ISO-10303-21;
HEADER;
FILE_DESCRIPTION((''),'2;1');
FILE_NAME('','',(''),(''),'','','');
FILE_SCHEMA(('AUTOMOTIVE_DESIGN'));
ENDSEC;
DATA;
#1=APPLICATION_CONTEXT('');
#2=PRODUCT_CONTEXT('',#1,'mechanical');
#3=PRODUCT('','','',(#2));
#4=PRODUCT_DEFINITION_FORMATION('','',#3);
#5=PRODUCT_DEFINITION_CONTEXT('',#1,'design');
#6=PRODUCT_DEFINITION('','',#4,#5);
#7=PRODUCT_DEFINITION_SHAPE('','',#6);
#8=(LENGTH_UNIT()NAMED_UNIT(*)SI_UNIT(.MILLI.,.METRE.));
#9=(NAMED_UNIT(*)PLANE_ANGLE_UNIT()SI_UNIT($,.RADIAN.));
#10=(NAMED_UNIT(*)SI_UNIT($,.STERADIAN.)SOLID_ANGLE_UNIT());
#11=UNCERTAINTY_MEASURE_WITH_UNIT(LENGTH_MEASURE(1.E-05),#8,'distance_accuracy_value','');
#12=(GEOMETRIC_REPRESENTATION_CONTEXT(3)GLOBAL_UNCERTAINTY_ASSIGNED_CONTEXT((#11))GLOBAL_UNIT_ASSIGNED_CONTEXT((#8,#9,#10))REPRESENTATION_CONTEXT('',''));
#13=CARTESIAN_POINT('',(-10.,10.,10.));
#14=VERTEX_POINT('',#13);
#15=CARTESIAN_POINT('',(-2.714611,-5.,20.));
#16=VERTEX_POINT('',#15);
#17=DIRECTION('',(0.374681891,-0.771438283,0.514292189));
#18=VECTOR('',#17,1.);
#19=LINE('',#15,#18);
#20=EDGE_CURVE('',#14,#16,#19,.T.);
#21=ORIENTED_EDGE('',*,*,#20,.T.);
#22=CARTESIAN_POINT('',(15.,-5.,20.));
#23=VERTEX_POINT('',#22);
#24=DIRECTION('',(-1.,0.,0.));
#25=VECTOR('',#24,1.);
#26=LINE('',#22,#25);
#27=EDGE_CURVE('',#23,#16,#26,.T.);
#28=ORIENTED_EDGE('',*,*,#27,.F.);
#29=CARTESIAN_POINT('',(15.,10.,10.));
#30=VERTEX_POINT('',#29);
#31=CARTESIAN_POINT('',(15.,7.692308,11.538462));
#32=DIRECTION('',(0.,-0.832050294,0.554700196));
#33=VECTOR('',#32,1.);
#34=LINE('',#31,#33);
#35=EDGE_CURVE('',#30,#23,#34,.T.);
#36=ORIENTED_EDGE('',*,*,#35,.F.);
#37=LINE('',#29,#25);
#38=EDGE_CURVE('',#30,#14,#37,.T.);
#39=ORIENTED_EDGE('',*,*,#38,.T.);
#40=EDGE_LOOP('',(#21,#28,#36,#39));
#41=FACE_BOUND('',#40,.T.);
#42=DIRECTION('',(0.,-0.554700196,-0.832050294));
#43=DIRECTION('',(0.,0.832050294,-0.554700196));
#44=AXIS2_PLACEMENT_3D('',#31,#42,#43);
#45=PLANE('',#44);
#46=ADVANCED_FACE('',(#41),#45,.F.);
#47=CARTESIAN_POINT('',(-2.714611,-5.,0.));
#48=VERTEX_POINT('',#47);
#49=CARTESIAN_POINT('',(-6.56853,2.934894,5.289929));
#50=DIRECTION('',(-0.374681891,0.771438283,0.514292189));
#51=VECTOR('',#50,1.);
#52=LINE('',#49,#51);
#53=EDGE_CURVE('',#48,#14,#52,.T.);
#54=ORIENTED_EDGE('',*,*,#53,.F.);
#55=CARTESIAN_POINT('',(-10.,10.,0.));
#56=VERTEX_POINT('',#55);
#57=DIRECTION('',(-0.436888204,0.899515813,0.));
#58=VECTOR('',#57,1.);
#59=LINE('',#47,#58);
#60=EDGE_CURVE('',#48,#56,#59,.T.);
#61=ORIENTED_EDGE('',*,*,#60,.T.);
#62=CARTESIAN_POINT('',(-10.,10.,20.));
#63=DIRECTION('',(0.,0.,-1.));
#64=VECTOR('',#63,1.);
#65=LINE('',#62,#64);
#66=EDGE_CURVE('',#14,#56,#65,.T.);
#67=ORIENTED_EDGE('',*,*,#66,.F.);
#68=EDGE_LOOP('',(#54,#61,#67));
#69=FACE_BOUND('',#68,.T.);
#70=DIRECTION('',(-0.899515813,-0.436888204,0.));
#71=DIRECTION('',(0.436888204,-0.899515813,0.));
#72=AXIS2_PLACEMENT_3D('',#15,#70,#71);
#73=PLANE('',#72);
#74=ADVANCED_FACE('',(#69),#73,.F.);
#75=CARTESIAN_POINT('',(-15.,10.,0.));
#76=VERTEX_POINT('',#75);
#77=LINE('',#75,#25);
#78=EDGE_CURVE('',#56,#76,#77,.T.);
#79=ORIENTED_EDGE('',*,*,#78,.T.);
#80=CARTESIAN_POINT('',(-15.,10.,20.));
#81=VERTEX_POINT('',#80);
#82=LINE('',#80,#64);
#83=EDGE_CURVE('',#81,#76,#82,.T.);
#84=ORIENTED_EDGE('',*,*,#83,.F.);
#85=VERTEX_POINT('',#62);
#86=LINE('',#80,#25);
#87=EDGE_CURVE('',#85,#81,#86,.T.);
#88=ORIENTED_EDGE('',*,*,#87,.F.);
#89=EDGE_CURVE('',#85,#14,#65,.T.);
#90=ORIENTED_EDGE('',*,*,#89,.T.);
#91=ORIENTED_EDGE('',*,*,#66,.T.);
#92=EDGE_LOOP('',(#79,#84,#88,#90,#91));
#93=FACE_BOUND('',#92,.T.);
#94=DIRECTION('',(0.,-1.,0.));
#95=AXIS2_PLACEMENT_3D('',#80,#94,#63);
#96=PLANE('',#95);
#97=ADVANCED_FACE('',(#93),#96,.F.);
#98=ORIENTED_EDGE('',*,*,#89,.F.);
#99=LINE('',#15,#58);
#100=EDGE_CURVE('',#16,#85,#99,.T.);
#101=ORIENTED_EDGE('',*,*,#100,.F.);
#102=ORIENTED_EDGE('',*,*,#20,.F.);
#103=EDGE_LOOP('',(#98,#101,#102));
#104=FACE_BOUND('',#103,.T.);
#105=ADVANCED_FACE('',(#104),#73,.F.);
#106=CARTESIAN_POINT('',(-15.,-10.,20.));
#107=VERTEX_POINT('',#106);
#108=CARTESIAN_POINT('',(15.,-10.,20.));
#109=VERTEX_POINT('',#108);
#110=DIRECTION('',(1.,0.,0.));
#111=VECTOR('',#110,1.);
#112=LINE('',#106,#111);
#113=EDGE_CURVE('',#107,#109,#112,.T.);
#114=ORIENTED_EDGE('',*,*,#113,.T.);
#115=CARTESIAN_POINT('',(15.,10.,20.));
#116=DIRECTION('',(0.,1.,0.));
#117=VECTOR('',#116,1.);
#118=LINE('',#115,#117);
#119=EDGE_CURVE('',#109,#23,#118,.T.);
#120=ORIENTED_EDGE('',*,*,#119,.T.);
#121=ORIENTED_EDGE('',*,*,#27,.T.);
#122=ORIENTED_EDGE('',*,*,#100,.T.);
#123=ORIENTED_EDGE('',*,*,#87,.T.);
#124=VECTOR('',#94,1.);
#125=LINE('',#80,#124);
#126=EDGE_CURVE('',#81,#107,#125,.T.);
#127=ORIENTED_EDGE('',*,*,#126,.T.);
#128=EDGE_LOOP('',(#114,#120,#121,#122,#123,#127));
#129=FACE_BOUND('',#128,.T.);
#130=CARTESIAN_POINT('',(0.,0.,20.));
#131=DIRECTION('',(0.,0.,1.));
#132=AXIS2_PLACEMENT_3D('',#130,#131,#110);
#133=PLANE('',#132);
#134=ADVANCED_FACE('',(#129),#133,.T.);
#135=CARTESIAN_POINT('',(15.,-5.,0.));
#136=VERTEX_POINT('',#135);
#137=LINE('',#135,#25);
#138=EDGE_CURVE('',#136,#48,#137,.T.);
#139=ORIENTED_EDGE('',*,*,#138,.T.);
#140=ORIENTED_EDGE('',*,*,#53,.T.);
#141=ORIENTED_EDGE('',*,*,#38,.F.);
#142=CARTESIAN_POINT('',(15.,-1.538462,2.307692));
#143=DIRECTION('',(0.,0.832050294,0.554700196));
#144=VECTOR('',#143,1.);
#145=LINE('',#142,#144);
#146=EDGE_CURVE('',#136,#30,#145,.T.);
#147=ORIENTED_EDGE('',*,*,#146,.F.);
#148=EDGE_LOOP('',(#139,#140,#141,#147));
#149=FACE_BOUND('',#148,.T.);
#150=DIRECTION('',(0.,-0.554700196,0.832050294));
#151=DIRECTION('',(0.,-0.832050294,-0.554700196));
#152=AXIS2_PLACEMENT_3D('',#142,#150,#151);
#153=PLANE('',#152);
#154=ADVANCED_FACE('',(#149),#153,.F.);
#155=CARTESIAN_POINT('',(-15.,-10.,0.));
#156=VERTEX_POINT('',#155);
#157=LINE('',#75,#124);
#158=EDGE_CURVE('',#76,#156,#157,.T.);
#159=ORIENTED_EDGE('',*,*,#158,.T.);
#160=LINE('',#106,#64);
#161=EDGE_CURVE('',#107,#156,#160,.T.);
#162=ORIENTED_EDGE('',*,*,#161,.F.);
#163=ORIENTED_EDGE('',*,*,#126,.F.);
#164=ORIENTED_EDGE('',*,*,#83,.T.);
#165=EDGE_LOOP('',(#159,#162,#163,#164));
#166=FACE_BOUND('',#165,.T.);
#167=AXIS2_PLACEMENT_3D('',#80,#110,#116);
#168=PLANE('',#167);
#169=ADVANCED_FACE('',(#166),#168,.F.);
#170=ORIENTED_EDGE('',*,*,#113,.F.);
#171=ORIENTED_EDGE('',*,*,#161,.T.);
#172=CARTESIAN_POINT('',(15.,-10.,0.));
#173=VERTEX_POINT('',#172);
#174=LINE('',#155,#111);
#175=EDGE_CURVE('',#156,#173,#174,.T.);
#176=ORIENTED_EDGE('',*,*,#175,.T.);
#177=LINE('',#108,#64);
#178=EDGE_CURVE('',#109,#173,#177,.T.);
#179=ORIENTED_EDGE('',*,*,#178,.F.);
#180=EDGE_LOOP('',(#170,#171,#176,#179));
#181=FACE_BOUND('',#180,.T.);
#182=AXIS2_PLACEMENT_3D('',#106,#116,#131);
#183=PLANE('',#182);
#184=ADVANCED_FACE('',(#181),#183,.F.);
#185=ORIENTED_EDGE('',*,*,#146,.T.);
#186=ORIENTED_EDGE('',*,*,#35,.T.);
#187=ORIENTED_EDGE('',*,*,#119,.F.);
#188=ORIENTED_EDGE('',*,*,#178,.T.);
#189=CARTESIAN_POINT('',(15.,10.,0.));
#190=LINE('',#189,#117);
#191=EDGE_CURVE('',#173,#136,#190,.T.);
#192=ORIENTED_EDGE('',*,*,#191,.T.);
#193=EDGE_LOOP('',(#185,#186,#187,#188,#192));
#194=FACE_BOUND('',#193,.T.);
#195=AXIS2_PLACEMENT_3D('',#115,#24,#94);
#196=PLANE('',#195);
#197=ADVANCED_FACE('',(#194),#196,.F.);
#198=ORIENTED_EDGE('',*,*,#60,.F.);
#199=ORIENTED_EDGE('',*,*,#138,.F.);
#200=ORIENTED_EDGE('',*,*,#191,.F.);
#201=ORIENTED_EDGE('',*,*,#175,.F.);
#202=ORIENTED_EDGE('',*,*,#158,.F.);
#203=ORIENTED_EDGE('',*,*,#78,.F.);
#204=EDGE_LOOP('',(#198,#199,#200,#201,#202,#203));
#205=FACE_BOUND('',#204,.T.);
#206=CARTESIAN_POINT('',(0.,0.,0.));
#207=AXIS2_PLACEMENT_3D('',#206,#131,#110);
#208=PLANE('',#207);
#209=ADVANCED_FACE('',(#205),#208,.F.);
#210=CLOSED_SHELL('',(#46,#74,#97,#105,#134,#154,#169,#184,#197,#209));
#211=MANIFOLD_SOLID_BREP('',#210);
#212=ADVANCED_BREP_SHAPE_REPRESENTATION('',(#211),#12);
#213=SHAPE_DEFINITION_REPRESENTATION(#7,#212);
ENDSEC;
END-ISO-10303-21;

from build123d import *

# Parameters (mm, degrees)
SKETCH_1_W          = 30
SKETCH_1_H          = 20
EXTRUDE_1_DEPTH     = 20
CUT_EXTRUDE_4_DEPTH = 27.925824036
EXTRUDE_6_DEPTH     = 30


with BuildPart() as part:
    # 草圖1 → 填料-伸長1 (new body)
    with BuildSketch(Plane.XY):
        Rectangle(SKETCH_1_W, SKETCH_1_H)
    extrude(amount=EXTRUDE_1_DEPTH)

    # 草圖10 → 除料-伸長4 (cut, through all)
    with BuildSketch(Plane(origin=(0, 0, 0), x_dir=(-1, 0, 0), z_dir=(0, 0, -1))):
        Polygon((-15, -5), (2.714610503, -5), (10, 10), (-15, 10), align=None)
    extrude(amount=-CUT_EXTRUDE_4_DEPTH, mode=Mode.SUBTRACT)

    # 草圖11 → 填料-伸長6 (add)
    with BuildSketch(Plane.ZY.offset(15)):
        Polygon((0, -5), (10, 10), (20, -5), align=None)
    extrude(amount=-EXTRUDE_6_DEPTH)


solid = part.part
